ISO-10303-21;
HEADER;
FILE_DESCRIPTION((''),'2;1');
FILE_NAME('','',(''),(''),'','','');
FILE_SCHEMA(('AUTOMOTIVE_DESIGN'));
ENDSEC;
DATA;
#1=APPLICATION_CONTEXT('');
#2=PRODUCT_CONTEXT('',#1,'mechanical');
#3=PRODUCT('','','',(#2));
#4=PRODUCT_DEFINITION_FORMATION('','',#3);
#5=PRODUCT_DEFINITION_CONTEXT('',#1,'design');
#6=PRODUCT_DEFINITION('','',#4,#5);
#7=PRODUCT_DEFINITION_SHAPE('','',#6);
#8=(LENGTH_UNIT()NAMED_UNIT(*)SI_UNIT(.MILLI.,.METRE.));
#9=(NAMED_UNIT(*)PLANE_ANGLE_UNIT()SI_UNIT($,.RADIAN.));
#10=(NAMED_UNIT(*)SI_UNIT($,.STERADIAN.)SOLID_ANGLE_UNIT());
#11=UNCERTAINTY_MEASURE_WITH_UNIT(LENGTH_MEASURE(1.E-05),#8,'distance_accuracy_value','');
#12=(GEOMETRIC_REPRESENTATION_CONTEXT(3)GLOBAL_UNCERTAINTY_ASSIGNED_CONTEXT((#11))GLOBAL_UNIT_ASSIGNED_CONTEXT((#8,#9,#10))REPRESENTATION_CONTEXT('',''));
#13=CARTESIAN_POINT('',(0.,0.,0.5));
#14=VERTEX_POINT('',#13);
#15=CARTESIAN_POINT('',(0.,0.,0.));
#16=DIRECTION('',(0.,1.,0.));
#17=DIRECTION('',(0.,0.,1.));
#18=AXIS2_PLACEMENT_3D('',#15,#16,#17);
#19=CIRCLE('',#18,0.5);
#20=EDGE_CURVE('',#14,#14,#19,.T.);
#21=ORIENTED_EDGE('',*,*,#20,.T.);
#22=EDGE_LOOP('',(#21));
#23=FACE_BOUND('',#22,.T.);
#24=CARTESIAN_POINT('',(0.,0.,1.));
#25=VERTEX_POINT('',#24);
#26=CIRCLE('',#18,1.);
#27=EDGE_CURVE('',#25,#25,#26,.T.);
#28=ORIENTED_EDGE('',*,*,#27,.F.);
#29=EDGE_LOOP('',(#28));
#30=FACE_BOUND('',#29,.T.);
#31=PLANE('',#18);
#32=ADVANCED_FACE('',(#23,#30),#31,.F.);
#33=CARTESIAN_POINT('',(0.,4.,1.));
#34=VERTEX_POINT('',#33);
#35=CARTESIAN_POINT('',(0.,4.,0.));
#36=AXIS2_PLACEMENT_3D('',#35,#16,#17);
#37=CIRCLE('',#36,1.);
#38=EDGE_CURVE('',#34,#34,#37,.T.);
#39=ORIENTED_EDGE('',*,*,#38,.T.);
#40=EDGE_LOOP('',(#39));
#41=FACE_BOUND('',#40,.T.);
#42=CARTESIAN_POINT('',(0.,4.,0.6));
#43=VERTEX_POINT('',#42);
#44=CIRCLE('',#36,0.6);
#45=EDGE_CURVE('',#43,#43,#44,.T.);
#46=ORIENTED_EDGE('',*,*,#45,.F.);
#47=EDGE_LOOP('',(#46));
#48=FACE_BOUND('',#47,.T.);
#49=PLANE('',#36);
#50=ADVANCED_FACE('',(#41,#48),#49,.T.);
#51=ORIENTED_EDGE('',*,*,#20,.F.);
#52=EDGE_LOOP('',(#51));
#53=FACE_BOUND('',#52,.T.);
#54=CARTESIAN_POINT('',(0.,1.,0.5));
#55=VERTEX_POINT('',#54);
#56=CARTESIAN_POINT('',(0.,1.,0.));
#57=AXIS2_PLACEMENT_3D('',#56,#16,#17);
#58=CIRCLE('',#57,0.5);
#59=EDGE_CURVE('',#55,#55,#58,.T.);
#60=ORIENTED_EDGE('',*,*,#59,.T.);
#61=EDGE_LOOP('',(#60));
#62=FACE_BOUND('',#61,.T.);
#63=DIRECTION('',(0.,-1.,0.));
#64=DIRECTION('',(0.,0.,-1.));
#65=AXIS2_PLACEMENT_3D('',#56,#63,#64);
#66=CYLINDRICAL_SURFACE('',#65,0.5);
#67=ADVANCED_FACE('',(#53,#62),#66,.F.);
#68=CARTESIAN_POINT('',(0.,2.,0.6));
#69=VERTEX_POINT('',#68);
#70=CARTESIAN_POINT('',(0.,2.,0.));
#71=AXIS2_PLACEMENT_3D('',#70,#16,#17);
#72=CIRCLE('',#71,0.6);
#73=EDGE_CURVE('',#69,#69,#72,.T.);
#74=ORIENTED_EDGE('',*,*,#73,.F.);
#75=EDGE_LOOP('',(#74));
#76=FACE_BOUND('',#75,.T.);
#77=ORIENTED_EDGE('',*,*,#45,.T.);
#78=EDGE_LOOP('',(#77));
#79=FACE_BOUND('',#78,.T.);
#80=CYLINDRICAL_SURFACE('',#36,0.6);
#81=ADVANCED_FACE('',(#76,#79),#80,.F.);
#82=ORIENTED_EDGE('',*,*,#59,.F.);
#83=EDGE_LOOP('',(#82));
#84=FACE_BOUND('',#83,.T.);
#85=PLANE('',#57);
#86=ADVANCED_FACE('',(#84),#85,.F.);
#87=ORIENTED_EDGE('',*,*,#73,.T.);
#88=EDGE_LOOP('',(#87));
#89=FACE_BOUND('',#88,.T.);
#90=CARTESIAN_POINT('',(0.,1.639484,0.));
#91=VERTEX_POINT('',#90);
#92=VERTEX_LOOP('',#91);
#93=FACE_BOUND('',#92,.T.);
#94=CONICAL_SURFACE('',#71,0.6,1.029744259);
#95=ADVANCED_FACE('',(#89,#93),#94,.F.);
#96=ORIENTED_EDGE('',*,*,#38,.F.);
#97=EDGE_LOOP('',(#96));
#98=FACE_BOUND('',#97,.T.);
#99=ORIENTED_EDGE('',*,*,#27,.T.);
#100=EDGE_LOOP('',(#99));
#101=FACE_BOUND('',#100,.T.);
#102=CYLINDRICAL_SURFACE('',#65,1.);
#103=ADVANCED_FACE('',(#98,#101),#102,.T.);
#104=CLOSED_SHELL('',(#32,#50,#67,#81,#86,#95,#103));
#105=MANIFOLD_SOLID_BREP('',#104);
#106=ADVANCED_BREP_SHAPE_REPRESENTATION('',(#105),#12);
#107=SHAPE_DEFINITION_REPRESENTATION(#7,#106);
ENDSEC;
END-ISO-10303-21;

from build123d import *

# Parameters (mm, degrees)
SKETCH1_R                = 1
SKETCH1_R_2              = 0.5
BOSS_EXTRUDE1_DEPTH      = 1
SKETCH2_R                = 1
BOSS_EXTRUDE2_DEPTH      = 3
M1_CLEARANCE_HOLE1_D     = 1.2
M1_CLEARANCE_HOLE1_DEPTH = 2
M1_CLEARANCE_HOLE1_TIP   = 0.360516371


with BuildPart() as part:
    # Sketch1 → Boss-Extrude1 (new body)
    with BuildSketch(Plane(origin=(0, 0, 0), x_dir=(1, 0, 0), z_dir=(0, 1, 0))):
        Circle(SKETCH1_R)
        Circle(SKETCH1_R_2, mode=Mode.SUBTRACT)
    extrude(amount=BOSS_EXTRUDE1_DEPTH)

    # Sketch2 → Boss-Extrude2 (add)
    with BuildSketch(Plane(origin=(0, 1, 0), x_dir=(1, 0, 0), z_dir=(0, 1, 0))):
        Circle(SKETCH2_R)
    extrude(amount=BOSS_EXTRUDE2_DEPTH)

    # M1 Clearance Hole1
    with Locations(Plane(origin=(0, 4, 0), x_dir=(1, 0, 0), z_dir=(0, 1, 0))):
        with Locations((0, 0)):
            Hole(M1_CLEARANCE_HOLE1_D / 2, depth=M1_CLEARANCE_HOLE1_DEPTH)
            with Locations((0, 0, -(M1_CLEARANCE_HOLE1_DEPTH + M1_CLEARANCE_HOLE1_TIP / 2))):  # 118° drill point
                Cone(0, M1_CLEARANCE_HOLE1_D / 2, M1_CLEARANCE_HOLE1_TIP, mode=Mode.SUBTRACT)


solid = part.part
